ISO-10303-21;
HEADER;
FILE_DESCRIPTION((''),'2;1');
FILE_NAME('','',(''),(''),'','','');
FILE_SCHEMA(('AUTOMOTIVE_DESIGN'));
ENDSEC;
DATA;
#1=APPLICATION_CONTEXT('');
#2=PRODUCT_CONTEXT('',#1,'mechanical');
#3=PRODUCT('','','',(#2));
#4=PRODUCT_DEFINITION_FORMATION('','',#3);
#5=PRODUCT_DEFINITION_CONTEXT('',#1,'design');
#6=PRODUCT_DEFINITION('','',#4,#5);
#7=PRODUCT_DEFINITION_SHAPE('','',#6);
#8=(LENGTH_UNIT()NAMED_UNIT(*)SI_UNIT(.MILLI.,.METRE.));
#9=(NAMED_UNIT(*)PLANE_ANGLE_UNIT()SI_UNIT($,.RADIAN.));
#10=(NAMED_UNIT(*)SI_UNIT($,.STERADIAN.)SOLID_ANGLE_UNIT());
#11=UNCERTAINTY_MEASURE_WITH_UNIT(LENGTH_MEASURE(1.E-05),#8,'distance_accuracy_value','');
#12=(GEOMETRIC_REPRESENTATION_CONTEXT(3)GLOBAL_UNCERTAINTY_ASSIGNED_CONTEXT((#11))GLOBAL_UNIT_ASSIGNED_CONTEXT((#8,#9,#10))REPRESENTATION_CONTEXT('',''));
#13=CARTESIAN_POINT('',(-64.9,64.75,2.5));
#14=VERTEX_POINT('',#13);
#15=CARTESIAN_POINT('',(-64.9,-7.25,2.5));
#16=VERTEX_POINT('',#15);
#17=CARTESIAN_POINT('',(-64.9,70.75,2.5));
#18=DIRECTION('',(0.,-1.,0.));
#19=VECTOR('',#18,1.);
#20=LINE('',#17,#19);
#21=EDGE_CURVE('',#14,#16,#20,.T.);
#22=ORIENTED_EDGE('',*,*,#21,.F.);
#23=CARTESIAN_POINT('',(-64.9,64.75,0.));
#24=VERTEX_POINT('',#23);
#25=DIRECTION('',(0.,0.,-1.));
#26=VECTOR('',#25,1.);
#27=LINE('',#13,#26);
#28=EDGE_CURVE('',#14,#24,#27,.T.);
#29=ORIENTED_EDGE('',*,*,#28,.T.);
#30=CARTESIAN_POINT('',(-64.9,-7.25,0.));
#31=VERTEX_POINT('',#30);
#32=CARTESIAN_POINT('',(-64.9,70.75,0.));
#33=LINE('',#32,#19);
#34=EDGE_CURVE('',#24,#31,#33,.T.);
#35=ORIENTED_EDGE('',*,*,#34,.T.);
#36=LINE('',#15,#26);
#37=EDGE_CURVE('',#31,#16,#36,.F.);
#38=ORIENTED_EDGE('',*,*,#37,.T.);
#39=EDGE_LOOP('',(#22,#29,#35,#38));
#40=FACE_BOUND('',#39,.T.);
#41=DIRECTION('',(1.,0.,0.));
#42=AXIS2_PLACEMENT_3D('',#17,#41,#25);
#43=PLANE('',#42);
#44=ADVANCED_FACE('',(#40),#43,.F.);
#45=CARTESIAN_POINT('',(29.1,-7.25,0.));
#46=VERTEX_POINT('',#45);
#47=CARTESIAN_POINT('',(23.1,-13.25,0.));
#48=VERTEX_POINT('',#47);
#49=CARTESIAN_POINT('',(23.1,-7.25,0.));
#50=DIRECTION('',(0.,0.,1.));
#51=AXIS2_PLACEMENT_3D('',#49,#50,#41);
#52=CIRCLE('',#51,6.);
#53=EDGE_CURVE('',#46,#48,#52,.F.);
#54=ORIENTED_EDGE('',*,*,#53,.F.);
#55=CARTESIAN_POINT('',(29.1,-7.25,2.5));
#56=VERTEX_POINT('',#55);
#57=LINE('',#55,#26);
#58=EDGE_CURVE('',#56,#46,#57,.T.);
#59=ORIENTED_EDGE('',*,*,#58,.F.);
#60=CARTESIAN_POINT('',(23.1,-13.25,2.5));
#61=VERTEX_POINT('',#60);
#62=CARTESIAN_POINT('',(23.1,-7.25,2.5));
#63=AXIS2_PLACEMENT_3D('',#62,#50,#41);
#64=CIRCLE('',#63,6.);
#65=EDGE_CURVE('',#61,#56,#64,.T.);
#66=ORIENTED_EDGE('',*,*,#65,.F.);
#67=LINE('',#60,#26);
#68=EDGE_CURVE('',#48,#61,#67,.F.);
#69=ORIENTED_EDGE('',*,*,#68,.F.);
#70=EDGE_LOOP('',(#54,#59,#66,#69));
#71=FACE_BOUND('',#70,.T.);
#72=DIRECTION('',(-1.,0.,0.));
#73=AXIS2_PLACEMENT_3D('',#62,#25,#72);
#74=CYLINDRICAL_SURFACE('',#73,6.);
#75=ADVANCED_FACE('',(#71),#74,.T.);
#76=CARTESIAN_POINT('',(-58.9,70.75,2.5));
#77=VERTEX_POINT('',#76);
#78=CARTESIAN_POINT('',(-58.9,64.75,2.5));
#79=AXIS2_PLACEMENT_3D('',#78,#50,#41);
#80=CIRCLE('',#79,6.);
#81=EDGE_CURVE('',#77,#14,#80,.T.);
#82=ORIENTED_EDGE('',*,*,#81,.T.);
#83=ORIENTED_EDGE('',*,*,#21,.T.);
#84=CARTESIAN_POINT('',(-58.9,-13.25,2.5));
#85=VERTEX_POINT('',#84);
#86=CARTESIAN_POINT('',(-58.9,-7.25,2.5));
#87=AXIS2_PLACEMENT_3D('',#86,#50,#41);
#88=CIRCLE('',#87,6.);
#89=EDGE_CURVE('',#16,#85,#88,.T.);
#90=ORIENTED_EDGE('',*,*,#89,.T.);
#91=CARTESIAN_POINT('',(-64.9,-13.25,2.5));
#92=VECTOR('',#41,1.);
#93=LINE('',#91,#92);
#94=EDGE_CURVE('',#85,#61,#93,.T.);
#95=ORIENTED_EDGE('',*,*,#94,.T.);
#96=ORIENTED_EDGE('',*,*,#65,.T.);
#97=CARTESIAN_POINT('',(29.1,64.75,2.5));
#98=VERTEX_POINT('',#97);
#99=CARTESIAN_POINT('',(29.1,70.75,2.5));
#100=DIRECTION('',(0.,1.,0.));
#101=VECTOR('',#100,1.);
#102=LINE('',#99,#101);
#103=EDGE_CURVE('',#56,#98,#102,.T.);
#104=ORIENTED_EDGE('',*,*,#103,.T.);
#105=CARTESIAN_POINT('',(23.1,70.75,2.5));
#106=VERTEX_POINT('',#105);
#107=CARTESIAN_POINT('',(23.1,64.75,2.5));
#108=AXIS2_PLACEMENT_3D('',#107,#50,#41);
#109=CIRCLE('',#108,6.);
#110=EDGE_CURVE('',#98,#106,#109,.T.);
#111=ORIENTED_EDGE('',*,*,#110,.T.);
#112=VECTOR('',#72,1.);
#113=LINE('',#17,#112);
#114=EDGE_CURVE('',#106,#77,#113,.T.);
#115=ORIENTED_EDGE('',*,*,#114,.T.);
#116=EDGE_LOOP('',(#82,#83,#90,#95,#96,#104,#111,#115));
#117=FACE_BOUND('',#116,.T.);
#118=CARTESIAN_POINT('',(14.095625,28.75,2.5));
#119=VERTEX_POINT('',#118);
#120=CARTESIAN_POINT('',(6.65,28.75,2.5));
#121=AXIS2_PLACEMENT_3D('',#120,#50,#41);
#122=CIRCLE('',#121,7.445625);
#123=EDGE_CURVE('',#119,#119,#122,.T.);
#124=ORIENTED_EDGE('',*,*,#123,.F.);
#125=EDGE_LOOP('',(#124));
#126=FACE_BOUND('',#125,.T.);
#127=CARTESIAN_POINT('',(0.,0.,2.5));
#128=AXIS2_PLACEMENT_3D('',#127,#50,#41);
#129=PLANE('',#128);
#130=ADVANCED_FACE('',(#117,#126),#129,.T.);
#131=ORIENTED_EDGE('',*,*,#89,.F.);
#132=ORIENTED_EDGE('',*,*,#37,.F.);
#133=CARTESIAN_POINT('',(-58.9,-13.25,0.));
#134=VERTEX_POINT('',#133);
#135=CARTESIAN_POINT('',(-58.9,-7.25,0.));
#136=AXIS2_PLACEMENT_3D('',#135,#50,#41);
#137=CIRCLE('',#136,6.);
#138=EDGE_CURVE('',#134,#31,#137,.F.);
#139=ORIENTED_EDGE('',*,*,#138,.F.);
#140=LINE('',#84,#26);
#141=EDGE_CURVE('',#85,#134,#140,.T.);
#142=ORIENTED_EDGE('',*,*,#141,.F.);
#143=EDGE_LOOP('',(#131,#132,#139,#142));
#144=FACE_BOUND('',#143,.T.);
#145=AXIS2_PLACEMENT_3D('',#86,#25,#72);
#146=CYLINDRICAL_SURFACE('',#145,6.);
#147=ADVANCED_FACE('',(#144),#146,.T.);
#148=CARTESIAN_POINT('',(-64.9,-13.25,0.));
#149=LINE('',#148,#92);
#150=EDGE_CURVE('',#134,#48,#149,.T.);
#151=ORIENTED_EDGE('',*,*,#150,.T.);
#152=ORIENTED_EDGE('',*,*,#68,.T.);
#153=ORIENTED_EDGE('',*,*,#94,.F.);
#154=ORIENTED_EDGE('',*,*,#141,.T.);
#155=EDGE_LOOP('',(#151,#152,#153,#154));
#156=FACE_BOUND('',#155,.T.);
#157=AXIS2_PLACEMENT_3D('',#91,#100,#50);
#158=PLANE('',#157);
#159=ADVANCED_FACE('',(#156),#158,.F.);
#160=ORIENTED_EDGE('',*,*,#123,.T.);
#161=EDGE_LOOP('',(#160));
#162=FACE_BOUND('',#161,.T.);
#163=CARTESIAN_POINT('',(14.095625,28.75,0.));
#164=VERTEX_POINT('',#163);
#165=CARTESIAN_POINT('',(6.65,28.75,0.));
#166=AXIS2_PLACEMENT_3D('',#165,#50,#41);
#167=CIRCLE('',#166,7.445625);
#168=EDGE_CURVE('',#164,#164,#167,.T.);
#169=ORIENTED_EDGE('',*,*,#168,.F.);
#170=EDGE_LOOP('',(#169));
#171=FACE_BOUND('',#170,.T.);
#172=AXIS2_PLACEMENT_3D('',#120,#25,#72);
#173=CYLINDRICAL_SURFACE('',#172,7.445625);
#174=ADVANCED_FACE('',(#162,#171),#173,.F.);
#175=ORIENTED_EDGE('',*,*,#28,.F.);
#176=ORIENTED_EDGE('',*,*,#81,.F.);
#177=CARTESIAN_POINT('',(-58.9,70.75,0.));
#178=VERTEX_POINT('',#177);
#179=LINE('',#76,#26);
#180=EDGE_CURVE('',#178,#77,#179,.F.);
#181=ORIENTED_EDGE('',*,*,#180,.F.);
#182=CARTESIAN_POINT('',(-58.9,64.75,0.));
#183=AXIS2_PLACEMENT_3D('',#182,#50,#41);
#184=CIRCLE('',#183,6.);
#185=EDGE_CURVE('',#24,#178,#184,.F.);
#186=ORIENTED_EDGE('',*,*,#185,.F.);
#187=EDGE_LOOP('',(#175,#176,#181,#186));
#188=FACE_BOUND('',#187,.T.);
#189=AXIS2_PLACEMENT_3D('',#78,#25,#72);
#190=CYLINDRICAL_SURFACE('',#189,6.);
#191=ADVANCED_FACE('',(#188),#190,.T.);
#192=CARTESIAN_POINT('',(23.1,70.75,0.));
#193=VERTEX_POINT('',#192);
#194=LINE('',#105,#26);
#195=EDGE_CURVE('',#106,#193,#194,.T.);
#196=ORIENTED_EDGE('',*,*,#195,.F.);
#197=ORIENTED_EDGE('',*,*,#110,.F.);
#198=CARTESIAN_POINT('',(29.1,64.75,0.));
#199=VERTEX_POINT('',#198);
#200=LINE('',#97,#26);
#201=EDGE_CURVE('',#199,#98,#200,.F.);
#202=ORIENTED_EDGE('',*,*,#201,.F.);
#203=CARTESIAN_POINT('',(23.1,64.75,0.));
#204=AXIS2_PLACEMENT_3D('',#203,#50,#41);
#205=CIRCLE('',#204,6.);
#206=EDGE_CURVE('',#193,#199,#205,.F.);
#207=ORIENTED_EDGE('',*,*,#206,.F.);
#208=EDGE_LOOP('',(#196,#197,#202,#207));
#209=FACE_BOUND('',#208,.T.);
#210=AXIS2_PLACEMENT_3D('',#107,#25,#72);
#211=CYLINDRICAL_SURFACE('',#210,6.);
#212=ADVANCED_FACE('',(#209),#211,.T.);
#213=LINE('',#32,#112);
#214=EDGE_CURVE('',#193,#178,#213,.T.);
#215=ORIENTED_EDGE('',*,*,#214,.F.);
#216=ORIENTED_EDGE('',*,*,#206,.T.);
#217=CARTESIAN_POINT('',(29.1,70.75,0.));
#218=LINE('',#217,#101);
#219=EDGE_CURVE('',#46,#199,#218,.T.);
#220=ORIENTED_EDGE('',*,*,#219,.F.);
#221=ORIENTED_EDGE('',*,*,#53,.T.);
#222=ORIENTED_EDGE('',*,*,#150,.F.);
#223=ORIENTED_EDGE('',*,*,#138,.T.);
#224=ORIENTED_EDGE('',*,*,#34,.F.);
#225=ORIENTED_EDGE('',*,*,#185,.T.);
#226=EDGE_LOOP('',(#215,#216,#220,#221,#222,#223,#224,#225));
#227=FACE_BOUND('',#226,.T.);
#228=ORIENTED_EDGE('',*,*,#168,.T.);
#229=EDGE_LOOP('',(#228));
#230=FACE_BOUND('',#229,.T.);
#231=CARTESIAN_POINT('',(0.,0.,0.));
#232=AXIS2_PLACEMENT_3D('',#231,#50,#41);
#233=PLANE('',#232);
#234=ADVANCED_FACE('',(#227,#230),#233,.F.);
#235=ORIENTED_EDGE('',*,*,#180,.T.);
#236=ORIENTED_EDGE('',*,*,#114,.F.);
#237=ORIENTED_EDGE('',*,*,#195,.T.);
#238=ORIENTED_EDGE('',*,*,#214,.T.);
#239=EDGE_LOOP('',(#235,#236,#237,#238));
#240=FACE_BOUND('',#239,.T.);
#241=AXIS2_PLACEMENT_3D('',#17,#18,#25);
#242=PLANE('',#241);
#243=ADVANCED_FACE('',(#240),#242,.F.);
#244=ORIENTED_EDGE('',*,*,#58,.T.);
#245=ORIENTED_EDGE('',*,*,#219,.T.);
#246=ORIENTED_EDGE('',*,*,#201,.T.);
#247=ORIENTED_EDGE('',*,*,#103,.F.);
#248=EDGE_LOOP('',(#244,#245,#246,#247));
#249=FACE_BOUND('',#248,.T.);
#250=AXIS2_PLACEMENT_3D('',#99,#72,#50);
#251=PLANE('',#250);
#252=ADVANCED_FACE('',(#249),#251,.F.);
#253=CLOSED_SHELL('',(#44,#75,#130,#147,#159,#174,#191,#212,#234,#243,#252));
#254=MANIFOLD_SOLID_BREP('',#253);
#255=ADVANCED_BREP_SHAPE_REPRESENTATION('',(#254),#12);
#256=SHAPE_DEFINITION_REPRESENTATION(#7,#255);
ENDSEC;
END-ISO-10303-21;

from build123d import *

# Parameters (mm, degrees)
CROQUIS1_W              = 94
CROQUIS1_H              = 84
CROQUIS1_R              = 7.445624545
SALIENTE_EXTRUIR1_DEPTH = 2.5
REDONDEO1_R             = 6


with BuildPart() as part:
    # Croquis1 → Saliente-Extruir1 (new body)
    with BuildSketch(Plane.XY):
        with Locations((-17.9, 28.75)):
            Rectangle(CROQUIS1_W, CROQUIS1_H)
        with Locations((6.65, 28.75)):
            Circle(CROQUIS1_R, mode=Mode.SUBTRACT)
    extrude(amount=SALIENTE_EXTRUIR1_DEPTH)

    # Redondeo1
    redondeo1_edges = [part.edges().sort_by_distance(p)[0] for p in [
        (-64.9, 70.75, 1.25),
        (29.1, 70.75, 1.25),
        (29.1, -13.25, 1.25),
        (-64.9, -13.25, 1.25),
    ]]
    fillet(redondeo1_edges, radius=REDONDEO1_R)


solid = part.part
